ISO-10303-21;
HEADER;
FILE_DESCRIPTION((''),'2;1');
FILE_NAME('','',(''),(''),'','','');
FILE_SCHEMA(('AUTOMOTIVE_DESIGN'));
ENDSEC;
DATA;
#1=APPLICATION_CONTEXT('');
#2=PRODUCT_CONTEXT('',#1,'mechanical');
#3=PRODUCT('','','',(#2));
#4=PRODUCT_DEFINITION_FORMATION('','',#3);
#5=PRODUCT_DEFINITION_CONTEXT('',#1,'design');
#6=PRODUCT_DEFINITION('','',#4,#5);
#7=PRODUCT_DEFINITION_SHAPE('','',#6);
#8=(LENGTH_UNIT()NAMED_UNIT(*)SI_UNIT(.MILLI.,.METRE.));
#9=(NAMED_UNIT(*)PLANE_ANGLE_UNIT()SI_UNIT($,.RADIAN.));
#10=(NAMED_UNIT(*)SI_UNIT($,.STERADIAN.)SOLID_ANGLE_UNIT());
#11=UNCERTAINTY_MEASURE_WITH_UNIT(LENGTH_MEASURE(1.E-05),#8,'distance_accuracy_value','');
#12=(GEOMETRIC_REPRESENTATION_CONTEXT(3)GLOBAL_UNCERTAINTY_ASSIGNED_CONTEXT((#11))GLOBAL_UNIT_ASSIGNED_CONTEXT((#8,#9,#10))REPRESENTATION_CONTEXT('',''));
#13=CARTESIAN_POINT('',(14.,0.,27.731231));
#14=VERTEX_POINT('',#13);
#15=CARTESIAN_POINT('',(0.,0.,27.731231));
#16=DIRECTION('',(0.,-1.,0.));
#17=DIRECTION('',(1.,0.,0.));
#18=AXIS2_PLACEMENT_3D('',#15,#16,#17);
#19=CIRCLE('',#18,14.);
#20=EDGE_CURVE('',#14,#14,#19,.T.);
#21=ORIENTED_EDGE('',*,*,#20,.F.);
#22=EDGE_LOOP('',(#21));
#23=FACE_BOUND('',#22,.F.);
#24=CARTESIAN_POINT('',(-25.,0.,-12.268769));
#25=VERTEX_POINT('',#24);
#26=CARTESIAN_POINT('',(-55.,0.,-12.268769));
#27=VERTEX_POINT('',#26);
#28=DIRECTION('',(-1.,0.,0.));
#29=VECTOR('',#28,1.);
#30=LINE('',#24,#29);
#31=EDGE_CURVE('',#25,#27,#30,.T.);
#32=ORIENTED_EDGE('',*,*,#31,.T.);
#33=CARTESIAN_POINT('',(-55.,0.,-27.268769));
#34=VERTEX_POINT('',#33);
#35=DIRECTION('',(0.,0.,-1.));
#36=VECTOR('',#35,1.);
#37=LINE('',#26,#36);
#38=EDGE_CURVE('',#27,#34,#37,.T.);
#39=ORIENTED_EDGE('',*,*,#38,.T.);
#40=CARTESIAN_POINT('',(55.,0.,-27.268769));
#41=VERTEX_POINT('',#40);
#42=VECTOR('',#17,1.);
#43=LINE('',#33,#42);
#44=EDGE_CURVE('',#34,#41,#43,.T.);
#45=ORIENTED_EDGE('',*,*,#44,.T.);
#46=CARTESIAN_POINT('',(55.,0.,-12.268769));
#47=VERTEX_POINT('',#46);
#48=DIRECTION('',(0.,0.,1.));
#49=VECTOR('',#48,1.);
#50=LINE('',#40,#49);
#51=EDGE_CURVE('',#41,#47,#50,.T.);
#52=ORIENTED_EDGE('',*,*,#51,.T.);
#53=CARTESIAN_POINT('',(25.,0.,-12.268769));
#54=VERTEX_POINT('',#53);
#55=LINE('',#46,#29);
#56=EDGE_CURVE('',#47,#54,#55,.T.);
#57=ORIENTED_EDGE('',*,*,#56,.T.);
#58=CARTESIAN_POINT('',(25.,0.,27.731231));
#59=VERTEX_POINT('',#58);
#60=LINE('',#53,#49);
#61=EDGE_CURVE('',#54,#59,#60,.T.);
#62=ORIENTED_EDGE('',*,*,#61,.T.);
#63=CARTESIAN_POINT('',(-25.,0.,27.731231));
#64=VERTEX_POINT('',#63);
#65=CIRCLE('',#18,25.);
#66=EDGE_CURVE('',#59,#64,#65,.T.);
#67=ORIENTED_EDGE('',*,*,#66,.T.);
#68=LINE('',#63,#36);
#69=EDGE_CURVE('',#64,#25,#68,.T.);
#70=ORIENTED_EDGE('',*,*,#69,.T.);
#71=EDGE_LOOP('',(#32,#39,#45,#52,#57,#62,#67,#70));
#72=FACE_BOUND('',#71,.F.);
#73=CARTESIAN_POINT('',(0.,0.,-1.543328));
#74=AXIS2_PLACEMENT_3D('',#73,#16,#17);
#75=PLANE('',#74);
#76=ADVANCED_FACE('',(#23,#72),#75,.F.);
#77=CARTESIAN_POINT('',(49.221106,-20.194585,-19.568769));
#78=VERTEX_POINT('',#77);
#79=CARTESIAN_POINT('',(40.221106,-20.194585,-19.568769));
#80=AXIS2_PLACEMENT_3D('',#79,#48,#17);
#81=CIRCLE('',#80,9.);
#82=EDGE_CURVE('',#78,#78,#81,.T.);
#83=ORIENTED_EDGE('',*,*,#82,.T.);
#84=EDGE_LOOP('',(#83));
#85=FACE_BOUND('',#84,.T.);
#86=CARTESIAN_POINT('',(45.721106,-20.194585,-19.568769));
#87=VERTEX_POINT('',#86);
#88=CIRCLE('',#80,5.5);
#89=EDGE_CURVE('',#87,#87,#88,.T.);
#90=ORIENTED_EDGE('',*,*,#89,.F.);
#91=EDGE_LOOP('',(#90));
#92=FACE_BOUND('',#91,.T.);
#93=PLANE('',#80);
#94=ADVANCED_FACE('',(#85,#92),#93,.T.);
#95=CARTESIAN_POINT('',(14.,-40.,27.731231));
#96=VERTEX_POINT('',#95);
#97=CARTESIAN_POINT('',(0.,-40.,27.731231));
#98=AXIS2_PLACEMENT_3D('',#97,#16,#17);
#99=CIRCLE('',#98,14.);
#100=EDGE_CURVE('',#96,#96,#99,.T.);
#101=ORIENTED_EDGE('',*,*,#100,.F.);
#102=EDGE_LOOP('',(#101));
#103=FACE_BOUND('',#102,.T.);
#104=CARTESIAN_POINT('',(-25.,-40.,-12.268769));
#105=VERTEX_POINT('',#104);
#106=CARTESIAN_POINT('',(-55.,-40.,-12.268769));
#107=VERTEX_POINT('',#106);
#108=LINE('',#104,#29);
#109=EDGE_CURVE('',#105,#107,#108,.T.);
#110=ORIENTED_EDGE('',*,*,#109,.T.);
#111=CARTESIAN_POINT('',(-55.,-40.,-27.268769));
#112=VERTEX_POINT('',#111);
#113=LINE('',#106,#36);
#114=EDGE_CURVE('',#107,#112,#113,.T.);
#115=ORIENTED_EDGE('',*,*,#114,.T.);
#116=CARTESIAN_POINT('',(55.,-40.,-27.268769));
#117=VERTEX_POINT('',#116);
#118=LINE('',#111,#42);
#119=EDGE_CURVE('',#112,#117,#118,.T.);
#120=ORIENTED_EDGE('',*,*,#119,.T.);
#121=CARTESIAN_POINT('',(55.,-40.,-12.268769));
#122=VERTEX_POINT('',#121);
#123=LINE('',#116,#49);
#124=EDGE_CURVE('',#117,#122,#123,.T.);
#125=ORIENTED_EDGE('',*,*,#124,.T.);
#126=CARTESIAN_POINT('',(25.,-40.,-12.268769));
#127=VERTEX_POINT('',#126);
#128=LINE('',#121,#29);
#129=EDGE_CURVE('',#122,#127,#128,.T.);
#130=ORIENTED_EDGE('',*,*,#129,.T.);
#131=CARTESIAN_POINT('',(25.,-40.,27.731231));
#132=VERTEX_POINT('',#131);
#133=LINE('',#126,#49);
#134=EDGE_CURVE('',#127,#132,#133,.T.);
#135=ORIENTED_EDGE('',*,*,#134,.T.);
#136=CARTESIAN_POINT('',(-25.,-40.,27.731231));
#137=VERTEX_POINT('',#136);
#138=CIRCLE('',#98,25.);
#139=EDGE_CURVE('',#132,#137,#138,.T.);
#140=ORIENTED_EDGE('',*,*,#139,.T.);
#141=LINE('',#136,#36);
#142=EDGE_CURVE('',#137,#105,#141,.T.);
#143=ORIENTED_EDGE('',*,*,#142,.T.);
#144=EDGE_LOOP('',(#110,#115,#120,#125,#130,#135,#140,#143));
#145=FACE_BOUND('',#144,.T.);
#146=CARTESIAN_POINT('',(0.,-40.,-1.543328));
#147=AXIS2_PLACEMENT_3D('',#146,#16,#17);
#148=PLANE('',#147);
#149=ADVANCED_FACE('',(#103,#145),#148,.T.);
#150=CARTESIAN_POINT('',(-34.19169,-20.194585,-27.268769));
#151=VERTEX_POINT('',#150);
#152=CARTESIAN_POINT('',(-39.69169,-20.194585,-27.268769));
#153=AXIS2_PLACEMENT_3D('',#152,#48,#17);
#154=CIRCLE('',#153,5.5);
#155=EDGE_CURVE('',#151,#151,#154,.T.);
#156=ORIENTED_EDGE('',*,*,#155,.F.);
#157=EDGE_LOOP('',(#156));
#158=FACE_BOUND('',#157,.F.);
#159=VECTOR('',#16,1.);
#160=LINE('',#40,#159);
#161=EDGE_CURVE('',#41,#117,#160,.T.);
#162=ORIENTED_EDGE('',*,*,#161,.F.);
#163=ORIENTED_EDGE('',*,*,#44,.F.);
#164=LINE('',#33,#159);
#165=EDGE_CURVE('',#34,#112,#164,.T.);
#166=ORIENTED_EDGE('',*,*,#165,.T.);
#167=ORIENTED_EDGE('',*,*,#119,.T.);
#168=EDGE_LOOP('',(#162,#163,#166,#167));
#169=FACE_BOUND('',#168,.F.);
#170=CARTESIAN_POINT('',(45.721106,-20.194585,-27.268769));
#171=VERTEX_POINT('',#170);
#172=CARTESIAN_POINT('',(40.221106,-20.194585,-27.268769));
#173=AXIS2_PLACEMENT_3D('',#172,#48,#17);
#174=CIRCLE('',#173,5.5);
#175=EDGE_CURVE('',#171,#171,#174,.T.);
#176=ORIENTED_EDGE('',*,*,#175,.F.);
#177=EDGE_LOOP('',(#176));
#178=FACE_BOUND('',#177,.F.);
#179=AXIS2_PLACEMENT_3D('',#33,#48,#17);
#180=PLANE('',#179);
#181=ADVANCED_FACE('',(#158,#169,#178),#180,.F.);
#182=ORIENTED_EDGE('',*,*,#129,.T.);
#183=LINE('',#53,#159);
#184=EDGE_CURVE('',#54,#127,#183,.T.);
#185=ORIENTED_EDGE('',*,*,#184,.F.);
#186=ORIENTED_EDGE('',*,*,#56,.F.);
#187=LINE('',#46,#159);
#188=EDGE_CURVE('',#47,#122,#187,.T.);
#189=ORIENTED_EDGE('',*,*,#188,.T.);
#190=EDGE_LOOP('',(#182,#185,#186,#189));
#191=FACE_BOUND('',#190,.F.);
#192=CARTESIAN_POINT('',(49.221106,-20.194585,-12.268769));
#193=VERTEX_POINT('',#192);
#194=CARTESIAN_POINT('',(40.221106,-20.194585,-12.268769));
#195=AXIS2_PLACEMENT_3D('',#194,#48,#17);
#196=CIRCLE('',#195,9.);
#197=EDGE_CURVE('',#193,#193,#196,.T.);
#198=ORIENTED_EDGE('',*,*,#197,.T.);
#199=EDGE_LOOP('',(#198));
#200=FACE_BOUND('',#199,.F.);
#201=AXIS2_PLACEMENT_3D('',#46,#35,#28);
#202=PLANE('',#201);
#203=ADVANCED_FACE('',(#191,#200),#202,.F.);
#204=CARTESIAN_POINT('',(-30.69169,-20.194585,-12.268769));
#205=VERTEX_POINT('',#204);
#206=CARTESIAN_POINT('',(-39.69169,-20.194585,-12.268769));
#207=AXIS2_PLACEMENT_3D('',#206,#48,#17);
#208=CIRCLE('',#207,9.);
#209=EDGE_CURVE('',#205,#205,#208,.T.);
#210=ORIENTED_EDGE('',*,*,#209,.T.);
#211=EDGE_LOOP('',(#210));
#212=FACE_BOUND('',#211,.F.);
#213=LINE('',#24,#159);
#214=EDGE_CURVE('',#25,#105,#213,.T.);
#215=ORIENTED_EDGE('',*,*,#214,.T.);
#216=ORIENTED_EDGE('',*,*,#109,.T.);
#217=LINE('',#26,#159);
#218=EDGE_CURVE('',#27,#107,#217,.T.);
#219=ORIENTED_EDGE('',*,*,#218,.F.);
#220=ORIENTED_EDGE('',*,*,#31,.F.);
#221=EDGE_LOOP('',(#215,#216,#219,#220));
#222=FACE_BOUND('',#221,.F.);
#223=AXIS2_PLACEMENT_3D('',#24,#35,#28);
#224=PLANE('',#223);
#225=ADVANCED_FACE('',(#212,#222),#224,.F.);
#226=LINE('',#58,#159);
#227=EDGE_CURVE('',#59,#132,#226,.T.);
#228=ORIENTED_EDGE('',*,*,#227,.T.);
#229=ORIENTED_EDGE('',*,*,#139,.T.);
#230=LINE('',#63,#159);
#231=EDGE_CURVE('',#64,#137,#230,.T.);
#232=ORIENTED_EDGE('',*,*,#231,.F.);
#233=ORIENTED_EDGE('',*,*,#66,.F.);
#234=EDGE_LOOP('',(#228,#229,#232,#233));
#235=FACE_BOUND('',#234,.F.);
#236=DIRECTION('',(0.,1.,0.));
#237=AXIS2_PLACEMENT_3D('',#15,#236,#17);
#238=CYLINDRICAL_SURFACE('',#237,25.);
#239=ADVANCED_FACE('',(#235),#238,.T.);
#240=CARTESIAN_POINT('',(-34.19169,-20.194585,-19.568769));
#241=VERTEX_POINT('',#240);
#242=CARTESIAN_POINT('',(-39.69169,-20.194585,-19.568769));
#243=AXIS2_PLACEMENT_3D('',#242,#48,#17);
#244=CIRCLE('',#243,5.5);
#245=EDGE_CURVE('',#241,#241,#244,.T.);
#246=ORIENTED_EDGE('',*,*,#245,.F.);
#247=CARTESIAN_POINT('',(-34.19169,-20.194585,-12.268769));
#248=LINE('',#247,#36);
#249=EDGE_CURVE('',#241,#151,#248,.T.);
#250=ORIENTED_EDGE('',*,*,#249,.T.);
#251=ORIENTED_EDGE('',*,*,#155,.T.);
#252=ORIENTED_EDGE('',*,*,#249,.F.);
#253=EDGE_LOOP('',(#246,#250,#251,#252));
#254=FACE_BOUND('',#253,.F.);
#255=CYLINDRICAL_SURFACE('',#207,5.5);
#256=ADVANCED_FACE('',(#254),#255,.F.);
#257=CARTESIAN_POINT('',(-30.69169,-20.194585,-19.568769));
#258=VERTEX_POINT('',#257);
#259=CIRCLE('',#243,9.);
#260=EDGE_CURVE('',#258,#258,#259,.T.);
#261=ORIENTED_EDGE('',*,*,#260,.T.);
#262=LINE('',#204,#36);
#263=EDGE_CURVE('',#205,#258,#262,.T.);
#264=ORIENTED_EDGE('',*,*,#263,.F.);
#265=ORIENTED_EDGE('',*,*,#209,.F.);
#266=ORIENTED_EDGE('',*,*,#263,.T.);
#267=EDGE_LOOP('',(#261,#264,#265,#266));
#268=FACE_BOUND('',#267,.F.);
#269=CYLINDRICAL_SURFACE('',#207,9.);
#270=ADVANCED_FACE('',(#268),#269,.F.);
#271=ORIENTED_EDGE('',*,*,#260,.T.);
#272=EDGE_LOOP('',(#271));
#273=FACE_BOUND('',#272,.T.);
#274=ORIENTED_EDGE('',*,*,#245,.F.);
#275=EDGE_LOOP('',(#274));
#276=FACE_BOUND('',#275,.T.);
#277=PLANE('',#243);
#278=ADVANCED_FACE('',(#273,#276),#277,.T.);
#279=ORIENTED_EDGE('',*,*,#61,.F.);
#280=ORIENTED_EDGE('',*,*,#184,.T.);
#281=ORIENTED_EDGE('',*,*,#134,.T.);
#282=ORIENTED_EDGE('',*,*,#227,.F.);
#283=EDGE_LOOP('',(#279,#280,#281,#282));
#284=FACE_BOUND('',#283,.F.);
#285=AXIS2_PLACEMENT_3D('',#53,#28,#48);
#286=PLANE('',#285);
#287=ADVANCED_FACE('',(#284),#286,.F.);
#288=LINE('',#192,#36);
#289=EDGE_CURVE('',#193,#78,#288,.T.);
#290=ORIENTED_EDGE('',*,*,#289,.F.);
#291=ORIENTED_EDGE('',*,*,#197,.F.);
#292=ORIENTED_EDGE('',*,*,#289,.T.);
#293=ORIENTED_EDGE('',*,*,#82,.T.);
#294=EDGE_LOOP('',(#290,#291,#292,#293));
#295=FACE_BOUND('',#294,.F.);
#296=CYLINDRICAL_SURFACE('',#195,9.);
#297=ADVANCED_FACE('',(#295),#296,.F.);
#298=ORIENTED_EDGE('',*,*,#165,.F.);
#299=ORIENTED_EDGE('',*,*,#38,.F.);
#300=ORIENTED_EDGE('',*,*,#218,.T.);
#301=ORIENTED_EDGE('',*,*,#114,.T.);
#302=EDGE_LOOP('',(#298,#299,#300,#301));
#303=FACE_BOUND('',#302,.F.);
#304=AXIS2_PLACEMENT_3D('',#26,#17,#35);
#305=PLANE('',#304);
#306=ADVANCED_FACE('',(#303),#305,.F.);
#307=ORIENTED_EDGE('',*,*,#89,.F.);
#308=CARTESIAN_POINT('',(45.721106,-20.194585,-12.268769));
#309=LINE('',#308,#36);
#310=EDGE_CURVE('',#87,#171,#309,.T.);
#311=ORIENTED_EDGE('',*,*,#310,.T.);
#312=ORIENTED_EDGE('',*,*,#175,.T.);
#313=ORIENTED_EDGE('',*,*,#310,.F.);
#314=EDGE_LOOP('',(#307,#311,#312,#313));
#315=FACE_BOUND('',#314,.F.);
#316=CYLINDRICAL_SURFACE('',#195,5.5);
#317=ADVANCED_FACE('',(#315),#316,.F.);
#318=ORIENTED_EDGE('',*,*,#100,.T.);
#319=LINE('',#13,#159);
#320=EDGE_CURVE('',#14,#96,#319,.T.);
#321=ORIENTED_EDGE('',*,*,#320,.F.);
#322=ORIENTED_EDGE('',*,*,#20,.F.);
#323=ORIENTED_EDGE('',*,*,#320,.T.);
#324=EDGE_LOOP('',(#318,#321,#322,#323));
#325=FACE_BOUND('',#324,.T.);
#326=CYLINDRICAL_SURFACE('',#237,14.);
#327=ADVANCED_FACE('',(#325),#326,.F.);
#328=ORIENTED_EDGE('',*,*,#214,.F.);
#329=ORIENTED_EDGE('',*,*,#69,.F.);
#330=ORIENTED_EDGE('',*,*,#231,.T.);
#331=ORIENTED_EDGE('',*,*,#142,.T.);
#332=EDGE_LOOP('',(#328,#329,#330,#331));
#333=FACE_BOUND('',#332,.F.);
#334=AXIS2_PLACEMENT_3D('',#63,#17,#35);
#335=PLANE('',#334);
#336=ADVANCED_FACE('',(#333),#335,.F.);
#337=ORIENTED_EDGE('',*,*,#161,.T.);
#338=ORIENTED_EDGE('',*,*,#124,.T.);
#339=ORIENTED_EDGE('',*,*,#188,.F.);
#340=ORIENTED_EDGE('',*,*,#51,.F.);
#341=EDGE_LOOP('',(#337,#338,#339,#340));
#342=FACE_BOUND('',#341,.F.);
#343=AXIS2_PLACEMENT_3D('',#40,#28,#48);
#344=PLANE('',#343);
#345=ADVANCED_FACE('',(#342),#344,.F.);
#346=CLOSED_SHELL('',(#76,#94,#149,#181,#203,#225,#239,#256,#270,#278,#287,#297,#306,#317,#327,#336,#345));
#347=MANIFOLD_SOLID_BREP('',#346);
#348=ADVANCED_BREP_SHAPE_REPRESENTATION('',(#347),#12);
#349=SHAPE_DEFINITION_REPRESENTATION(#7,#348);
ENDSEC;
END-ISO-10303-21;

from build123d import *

# Parameters (mm, degrees)
F0_R     = 14
F1_DEPTH = 40
F2_R     = 9
F2_R_2   = 5.5
F3_DEPTH = 7.3
F4_DEPTH = 15


with BuildPart() as f1:
    # F0 (on Front) → F1 (new body)
    with BuildSketch(Plane.XZ):
        with BuildLine():
            Line((-55, -27.2687692195), (0, -27.2687692195))
            Line((0, -27.2687692195), (55, -27.2687692195))
            Line((55, -27.2687692195), (55, -12.2687692195))
            Line((55, -12.2687692195), (25, -12.2687692195))
            Line((25, -12.2687692195), (25, 27.7312307805))
            ThreePointArc((25, 27.7312307805), (0, 52.7312307805), (-25, 27.7312307805))
            Line((-25, 27.7312307805), (-25, -12.2687692195))
            Line((-25, -12.2687692195), (-55, -12.2687692195))
            Line((-55, -12.2687692195), (-55, -27.2687692195))
        make_face()
        with Locations((0, 27.7312307805)):
            Circle(F0_R, mode=Mode.SUBTRACT)
    extrude(amount=F1_DEPTH)

    # F2 (on face) → F3 (cut)
    with BuildSketch(Plane.XY.offset(-12.2687692195)):
        with Locations((40.221106261, -20.1945845038)):
            Circle(F2_R)
        with Locations((40.221106261, -20.1945845038)):
            Circle(F2_R_2, mode=Mode.SUBTRACT)
        with Locations((-39.6916903555, -20.1945845038)):
            Circle(F2_R)
        with Locations((-39.6916903555, -20.1945845038)):
            Circle(F2_R_2, mode=Mode.SUBTRACT)
    extrude(amount=-F3_DEPTH, mode=Mode.SUBTRACT)

    # F4 (cut): faces of the model
    f4_faces = [f1.faces().sort_by_distance(p)[0] for p in [
        (-39.6916903555, -20.1945845038, -12.2687692195),
        (40.221106261, -20.1945845038, -12.2687692195),
    ]]
    extrude(f4_faces, amount=-F4_DEPTH, mode=Mode.SUBTRACT)


solid = f1.part
